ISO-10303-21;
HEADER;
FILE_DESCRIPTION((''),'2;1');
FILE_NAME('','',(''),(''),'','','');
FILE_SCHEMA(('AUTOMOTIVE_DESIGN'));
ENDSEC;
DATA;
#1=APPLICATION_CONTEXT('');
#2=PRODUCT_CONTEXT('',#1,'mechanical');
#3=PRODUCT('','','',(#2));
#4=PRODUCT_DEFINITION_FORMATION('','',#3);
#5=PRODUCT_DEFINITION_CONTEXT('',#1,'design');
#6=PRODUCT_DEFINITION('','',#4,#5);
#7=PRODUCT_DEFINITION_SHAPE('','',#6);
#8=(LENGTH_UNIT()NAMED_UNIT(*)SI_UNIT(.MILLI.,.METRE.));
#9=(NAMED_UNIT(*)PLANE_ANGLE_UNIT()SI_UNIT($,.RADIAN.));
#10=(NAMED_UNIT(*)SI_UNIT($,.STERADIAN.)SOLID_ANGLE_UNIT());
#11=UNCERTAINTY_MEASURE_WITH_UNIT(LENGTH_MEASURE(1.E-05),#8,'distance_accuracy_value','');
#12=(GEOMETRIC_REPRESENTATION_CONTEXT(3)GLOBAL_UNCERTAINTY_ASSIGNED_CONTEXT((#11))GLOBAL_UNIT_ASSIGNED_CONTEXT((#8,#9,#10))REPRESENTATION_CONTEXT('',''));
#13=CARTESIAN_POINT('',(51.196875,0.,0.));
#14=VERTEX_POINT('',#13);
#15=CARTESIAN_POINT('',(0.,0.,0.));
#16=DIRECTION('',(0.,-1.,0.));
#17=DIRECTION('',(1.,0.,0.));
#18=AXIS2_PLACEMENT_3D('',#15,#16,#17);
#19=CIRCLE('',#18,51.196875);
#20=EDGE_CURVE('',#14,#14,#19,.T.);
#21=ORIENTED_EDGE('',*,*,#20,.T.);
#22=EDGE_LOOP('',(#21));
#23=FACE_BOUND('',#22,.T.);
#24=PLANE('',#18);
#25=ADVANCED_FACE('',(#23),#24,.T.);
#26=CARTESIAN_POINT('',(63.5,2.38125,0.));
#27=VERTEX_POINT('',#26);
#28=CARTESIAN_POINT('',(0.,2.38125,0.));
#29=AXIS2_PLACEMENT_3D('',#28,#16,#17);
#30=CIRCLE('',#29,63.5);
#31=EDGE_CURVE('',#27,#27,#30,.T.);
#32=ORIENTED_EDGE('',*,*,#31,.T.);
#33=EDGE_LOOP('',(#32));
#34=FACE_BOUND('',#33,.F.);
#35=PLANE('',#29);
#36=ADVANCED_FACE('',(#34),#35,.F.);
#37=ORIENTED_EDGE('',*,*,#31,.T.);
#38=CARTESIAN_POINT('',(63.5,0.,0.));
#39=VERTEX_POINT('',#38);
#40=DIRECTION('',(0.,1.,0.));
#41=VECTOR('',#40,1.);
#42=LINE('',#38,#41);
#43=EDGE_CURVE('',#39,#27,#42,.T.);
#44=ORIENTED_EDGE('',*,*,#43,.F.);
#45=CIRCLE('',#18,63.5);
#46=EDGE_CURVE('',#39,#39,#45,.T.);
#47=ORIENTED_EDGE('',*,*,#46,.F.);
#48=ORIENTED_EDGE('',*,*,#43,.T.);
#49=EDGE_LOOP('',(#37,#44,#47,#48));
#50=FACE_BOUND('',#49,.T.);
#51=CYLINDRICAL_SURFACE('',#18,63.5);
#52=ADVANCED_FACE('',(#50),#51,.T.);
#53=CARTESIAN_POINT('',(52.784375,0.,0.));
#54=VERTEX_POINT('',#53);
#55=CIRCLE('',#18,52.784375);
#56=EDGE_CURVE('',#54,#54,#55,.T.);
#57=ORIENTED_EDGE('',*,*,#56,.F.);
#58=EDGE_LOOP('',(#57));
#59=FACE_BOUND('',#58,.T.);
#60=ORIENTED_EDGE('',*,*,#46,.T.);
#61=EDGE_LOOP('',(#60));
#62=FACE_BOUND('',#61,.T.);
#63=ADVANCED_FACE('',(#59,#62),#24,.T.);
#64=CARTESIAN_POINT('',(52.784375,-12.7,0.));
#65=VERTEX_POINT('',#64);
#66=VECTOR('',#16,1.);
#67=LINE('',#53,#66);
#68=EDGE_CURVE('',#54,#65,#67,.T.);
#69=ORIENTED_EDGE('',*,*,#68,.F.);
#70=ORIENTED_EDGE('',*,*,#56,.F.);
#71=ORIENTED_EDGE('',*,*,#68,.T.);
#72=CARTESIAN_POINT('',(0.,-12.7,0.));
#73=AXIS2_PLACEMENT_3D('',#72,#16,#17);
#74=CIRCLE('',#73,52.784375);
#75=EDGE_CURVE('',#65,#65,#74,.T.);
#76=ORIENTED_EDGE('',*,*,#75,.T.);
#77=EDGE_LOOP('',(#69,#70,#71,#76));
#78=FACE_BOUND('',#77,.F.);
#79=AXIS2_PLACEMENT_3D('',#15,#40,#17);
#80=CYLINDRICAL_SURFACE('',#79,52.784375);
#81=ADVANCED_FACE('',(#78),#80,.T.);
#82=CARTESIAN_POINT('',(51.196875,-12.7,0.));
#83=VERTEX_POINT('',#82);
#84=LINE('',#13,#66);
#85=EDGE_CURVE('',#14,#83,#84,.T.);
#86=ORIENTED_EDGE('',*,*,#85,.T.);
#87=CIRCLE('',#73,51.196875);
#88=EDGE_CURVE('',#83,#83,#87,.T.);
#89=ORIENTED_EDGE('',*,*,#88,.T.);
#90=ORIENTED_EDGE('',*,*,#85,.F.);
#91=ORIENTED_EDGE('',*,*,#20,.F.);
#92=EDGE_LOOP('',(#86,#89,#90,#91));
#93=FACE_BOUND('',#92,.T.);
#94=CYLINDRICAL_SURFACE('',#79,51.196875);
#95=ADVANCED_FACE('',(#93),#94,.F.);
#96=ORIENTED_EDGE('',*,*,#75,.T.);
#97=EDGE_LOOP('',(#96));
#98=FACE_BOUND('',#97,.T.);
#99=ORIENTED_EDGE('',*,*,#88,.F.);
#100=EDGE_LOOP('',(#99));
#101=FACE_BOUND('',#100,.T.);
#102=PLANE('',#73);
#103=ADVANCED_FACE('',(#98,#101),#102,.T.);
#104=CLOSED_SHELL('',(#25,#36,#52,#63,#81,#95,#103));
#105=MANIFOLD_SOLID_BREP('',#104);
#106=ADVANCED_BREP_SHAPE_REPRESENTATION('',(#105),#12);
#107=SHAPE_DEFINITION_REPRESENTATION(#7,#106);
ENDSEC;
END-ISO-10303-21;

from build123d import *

# Parameters (mm, degrees)
F0_R     = 52.784375
F0_R_2   = 51.196875
F1_DEPTH = 12.7
F2_R     = 63.5
F3_DEPTH = 2.38125


with BuildPart() as f1:
    # F0 (on Front) → F1 (new body)
    with BuildSketch(Plane.XZ):
        Circle(F0_R)
        Circle(F0_R_2, mode=Mode.SUBTRACT)
    extrude(amount=F1_DEPTH)

    # F2 (on Front) → F3 (join)
    with BuildSketch(Plane.XZ):
        Circle(F2_R)
    extrude(amount=-F3_DEPTH)


solid = f1.part
